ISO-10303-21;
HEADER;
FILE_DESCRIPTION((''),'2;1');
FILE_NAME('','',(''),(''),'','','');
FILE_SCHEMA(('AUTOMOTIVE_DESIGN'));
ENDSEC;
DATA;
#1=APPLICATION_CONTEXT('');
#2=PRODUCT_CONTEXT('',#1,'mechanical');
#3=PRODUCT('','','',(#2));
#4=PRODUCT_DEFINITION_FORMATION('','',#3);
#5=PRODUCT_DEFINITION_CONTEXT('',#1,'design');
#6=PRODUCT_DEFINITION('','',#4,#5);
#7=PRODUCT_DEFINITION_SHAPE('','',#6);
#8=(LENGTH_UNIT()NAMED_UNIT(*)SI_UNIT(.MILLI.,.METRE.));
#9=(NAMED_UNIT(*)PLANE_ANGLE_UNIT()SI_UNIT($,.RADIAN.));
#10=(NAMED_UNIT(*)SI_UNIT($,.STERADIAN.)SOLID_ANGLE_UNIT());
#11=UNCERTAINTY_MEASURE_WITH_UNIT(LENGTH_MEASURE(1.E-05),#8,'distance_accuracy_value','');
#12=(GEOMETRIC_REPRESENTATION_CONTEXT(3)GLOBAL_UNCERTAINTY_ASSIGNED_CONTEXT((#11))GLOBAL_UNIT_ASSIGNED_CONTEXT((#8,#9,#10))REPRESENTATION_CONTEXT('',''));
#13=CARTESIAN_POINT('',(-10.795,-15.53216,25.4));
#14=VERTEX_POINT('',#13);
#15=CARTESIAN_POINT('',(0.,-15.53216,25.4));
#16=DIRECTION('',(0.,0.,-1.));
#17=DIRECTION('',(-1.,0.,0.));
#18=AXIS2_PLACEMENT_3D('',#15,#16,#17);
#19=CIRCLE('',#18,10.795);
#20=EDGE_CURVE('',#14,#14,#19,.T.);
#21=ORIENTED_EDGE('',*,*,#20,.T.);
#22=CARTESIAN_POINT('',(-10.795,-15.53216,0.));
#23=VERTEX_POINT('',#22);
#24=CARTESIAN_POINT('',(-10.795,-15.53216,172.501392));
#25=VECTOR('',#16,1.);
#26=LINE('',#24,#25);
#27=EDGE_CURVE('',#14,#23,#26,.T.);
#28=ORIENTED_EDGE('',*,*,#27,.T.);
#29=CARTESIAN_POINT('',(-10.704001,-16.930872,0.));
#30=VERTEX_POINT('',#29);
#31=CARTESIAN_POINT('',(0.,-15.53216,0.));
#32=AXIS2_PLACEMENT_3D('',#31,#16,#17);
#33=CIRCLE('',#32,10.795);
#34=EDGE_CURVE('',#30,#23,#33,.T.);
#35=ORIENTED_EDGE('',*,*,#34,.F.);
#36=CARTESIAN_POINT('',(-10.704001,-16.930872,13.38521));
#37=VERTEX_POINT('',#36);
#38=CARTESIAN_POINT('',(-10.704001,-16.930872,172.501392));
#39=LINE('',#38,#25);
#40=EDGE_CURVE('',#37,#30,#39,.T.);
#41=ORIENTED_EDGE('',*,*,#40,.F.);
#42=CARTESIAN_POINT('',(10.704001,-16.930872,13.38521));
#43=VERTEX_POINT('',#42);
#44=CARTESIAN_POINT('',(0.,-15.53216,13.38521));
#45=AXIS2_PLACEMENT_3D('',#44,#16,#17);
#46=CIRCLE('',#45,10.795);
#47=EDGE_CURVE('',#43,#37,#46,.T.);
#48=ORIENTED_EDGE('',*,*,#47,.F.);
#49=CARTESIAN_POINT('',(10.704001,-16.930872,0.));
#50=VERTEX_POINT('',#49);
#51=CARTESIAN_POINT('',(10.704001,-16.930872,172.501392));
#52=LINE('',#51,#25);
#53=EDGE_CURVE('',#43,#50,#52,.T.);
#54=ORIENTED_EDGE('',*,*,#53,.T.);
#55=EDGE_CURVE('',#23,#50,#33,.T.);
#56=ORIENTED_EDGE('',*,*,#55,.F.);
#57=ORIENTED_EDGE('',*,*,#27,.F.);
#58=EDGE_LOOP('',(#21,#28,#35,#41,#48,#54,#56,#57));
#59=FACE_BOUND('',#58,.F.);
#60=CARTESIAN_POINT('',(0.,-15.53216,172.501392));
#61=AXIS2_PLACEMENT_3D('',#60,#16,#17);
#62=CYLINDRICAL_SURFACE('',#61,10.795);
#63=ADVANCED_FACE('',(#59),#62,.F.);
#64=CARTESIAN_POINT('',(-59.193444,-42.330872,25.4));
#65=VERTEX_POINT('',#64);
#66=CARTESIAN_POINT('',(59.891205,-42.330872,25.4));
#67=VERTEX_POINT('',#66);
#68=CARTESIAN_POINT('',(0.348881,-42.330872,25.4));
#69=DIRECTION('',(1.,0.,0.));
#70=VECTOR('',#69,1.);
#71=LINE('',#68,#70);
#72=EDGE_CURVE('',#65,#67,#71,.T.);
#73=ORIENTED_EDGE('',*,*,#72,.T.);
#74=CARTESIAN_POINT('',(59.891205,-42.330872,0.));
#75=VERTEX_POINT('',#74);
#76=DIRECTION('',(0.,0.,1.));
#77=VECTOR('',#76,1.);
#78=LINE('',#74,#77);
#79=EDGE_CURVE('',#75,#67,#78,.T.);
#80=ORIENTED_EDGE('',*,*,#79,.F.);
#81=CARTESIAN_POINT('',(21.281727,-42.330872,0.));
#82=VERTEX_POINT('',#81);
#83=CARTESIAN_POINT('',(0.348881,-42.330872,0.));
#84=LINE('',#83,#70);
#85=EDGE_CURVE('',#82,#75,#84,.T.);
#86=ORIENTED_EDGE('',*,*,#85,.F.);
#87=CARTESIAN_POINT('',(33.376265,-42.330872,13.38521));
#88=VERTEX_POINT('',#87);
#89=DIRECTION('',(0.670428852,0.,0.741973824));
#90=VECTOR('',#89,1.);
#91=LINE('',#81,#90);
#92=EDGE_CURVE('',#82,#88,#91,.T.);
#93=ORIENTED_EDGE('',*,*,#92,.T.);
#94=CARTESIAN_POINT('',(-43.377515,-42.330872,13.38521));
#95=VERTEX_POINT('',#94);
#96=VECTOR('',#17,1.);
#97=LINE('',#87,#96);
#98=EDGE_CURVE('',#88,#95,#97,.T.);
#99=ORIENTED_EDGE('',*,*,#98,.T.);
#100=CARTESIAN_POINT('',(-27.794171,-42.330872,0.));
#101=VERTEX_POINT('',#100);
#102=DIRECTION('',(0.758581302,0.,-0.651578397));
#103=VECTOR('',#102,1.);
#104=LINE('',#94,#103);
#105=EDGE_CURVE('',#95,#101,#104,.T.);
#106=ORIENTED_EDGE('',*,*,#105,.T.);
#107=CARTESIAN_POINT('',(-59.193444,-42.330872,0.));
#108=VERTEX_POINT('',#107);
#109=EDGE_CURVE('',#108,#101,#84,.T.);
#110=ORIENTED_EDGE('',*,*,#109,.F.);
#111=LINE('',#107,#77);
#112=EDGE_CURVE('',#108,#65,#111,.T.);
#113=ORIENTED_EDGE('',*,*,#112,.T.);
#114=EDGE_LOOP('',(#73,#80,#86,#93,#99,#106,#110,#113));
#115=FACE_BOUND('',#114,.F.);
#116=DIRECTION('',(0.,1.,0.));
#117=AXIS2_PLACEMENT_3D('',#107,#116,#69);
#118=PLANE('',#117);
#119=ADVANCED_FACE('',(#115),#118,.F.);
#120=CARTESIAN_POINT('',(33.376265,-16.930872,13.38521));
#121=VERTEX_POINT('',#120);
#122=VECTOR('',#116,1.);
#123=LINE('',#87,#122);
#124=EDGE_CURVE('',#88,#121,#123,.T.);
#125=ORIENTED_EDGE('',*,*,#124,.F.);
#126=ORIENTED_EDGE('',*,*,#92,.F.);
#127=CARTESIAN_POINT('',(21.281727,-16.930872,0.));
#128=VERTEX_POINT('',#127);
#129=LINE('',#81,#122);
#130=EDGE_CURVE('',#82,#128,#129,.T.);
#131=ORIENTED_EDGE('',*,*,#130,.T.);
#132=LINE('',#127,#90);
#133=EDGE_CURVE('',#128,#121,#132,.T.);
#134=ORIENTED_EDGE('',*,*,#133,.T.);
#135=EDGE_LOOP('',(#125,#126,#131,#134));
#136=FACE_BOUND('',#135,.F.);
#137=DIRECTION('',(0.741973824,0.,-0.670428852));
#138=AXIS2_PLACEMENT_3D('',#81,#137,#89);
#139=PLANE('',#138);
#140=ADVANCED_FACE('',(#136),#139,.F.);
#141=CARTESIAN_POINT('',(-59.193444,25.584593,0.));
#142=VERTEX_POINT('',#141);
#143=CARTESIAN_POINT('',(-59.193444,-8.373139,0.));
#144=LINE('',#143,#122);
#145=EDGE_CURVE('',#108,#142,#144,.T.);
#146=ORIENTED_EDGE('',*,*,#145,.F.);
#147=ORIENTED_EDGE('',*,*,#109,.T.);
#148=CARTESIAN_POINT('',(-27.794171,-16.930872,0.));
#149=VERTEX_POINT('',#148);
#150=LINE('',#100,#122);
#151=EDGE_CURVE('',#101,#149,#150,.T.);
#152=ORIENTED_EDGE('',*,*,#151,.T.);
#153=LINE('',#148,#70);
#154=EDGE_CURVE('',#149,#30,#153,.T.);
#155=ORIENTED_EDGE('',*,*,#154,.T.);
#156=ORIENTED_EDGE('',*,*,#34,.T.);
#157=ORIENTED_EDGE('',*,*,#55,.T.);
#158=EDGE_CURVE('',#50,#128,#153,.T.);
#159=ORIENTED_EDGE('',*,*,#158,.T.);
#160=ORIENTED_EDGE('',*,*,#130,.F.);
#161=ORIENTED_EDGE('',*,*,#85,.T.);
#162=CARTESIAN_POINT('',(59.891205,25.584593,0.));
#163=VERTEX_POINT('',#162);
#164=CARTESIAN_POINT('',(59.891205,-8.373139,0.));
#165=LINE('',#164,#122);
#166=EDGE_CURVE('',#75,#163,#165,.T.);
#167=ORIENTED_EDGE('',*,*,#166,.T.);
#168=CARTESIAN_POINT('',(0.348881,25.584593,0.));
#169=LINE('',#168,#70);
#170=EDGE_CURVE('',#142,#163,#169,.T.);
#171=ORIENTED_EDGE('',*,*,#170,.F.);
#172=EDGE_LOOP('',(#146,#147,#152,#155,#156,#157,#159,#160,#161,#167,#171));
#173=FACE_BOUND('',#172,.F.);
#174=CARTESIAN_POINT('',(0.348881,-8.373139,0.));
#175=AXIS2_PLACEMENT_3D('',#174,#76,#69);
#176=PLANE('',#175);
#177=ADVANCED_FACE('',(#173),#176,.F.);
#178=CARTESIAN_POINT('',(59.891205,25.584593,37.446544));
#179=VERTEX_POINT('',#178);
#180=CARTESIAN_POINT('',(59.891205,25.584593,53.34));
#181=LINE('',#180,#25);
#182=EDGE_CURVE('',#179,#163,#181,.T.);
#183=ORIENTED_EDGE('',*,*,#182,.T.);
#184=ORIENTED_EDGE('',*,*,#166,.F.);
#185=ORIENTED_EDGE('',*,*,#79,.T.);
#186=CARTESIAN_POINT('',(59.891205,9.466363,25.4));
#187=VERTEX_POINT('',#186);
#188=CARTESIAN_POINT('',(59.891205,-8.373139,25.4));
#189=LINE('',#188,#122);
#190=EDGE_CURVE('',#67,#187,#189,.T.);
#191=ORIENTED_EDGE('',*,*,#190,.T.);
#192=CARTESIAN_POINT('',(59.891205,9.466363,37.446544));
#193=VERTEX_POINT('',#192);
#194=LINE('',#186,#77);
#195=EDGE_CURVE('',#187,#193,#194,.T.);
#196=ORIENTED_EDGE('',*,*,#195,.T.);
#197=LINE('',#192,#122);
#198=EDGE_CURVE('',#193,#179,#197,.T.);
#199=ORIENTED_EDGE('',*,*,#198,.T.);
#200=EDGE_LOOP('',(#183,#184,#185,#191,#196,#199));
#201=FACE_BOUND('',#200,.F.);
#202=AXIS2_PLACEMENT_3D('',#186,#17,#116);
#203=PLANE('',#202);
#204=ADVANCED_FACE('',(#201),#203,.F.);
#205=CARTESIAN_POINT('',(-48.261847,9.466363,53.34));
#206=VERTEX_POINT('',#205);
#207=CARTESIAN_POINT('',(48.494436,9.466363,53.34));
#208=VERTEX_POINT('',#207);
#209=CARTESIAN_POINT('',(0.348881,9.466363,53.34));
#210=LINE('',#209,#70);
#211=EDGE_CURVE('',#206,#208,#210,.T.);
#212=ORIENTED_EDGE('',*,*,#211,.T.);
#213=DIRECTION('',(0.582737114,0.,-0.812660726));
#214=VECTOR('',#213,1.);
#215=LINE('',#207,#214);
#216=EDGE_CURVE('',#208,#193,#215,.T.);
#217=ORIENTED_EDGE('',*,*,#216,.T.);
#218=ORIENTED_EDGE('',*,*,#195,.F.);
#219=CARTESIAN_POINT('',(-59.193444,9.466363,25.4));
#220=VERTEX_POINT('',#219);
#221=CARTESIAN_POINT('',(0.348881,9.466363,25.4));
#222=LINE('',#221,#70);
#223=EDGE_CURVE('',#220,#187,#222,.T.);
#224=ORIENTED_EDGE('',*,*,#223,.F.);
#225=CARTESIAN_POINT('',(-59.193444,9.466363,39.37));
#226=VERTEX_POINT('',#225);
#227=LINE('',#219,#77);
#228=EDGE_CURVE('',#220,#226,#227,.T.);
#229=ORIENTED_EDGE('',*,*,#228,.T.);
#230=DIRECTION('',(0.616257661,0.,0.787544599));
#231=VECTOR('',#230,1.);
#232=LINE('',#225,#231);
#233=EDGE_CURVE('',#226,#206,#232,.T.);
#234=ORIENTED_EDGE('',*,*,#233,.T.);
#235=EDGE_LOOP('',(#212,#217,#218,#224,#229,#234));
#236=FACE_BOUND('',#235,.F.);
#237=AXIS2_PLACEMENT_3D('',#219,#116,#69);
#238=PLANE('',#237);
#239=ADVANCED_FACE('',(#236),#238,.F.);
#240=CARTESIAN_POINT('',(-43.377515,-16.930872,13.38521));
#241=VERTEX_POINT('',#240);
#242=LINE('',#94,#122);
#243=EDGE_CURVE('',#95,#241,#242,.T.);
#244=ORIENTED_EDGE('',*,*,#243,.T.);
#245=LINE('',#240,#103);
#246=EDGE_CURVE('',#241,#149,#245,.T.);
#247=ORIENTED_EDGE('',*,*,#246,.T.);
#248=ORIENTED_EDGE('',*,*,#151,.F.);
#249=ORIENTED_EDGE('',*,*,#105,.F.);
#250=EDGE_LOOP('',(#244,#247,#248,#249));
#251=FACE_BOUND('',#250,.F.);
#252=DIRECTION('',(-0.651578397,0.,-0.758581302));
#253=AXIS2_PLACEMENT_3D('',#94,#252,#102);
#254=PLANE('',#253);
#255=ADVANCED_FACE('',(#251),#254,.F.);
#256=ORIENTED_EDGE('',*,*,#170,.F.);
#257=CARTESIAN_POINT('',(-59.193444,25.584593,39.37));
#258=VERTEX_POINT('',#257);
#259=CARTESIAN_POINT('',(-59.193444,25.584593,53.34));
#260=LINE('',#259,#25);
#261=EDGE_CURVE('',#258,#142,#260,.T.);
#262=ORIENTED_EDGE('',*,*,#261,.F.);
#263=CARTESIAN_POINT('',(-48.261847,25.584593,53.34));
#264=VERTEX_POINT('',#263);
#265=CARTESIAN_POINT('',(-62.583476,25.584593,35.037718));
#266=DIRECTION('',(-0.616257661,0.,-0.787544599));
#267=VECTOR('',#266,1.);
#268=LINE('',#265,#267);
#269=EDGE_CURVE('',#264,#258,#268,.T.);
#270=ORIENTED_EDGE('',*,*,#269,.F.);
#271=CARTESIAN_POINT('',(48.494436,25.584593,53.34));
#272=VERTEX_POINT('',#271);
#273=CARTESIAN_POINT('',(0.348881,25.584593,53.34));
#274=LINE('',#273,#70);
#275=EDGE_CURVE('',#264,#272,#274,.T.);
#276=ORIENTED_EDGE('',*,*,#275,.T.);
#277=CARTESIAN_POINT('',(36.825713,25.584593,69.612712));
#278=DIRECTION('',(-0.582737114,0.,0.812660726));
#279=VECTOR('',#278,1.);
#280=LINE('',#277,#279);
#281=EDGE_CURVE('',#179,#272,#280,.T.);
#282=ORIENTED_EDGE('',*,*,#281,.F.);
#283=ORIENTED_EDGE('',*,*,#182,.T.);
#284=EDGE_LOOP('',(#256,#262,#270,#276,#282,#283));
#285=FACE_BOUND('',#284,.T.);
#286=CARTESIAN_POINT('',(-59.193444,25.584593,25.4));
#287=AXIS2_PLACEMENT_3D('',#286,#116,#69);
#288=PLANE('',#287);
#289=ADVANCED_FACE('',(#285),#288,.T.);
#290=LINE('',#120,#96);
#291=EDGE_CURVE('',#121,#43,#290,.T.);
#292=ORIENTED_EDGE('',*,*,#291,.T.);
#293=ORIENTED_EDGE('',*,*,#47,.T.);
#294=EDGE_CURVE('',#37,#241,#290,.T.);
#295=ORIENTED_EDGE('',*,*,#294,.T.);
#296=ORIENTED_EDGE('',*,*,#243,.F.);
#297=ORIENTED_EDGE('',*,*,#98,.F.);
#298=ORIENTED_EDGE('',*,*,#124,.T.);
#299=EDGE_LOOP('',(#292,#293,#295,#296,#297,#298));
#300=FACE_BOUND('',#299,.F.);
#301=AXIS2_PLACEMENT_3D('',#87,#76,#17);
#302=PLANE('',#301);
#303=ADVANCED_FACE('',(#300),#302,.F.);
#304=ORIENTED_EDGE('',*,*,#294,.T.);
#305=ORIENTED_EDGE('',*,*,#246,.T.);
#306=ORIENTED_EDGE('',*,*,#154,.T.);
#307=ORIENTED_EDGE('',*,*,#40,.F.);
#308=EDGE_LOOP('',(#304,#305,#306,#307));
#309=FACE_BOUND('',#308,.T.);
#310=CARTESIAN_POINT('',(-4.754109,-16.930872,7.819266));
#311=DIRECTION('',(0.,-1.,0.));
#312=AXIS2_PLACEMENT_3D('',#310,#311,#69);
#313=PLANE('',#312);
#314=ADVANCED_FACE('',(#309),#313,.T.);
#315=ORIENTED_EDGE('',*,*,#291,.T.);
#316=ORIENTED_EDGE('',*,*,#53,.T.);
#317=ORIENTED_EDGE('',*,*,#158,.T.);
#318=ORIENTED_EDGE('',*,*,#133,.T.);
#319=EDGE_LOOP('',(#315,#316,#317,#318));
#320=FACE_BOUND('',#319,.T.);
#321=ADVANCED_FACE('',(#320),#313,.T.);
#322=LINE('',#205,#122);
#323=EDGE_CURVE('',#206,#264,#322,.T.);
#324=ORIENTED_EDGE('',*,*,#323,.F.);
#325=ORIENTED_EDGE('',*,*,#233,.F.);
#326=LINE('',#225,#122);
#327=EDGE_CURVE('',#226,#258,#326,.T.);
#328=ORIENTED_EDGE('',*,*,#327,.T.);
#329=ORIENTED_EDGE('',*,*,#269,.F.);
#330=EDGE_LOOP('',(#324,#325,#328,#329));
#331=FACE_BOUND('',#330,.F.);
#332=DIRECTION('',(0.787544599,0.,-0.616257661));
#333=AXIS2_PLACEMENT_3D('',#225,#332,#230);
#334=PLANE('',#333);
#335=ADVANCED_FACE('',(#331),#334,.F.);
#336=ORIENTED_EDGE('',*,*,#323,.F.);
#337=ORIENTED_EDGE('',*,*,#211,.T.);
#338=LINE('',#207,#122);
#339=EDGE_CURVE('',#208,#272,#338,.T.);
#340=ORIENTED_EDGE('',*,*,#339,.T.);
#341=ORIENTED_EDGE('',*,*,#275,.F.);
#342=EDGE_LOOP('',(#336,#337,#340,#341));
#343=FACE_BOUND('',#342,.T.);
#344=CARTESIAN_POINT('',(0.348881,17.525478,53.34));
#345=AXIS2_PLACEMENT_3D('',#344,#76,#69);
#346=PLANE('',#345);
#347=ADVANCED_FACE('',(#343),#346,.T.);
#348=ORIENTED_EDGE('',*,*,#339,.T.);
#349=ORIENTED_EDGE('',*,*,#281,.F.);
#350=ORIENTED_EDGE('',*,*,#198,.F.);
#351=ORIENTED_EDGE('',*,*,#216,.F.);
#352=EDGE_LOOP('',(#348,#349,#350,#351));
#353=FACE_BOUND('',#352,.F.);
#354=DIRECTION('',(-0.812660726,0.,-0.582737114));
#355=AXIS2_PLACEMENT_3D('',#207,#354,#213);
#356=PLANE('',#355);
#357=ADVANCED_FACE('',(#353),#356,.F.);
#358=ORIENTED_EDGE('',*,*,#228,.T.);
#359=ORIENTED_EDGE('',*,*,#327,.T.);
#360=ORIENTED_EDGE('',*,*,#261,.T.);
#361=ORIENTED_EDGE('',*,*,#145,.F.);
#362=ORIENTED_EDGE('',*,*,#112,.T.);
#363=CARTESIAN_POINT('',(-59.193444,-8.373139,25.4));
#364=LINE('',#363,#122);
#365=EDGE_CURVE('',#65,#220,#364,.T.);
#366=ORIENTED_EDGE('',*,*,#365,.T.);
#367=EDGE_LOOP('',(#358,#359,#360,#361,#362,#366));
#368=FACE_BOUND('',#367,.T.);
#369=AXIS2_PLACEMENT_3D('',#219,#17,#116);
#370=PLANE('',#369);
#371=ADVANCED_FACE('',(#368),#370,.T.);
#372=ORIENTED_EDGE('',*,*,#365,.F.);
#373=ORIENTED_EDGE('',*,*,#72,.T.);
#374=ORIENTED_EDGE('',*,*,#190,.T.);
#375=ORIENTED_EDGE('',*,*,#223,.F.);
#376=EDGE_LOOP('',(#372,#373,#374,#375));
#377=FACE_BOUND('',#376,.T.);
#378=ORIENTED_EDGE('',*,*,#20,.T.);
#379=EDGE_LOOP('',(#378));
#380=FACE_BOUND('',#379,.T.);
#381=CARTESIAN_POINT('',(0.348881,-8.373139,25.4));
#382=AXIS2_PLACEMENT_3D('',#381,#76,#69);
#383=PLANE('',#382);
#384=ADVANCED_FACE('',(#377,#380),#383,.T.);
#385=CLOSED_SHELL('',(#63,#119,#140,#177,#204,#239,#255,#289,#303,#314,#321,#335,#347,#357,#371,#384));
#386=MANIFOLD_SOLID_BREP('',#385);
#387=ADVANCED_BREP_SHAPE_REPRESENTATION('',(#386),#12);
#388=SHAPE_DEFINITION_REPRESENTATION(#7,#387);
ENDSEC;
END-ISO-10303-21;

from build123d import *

# Parameters (mm, degrees)
F0_W     = 119.084648788
F0_H     = 67.9154656827
F1_DEPTH = 25.4
F3_DEPTH = 25.4
F4_W     = 119.084648788
F4_H     = 16.1182302982
F5_DEPTH = 27.94
F7_DEPTH = 25.4
F9_DEPTH = 25.4
F12_D    = 21.59


with BuildPart() as f1:
    # F0 (on Top) → F1 (new body)
    with BuildSketch(Plane.XY):
        with Locations((0.348880887, -8.3731394261)):
            Rectangle(F0_W, F0_H)
    extrude(amount=F1_DEPTH)

    # F2 (on face) → F3 (cut)
    with BuildSketch(Plane.XZ.offset(42.3308722675)):
        Polygon((-43.3775149286, 13.3852101862), (-27.7941711247, 0), (21.2817266583, 0), (33.3762653172, 13.3852101862), align=None)
    extrude(amount=-F3_DEPTH, mode=Mode.SUBTRACT)

    # F4 (on face) → F5 (join)
    with BuildSketch(Plane.XY.offset(25.4)):
        with Locations((0.348880887, 17.5254782662)):
            Rectangle(F4_W, F4_H)
    extrude(amount=F5_DEPTH)

    # F6 (on face) → F7 (cut)
    with BuildSketch(Plane.XZ.offset(-9.4663631171)):
        Polygon((-59.193443507, 39.37), (-48.261847347, 53.34), (-59.193443507, 53.34), align=None)
    extrude(amount=-F7_DEPTH, mode=Mode.SUBTRACT)

    # F8 (on face) → F9 (cut)
    with BuildSketch(Plane.XZ.offset(-9.4663631171)):
        Polygon((59.891205281, 53.34), (48.4944358468, 53.34), (59.891205281, 37.4465435743), align=None)
    extrude(amount=-F9_DEPTH, mode=Mode.SUBTRACT)

    # F12 (through all)
    with Locations(Plane.XY.offset(25.4)):
        with Locations((0, -15.5321601778)):
            Hole(F12_D / 2)


solid = f1.part
